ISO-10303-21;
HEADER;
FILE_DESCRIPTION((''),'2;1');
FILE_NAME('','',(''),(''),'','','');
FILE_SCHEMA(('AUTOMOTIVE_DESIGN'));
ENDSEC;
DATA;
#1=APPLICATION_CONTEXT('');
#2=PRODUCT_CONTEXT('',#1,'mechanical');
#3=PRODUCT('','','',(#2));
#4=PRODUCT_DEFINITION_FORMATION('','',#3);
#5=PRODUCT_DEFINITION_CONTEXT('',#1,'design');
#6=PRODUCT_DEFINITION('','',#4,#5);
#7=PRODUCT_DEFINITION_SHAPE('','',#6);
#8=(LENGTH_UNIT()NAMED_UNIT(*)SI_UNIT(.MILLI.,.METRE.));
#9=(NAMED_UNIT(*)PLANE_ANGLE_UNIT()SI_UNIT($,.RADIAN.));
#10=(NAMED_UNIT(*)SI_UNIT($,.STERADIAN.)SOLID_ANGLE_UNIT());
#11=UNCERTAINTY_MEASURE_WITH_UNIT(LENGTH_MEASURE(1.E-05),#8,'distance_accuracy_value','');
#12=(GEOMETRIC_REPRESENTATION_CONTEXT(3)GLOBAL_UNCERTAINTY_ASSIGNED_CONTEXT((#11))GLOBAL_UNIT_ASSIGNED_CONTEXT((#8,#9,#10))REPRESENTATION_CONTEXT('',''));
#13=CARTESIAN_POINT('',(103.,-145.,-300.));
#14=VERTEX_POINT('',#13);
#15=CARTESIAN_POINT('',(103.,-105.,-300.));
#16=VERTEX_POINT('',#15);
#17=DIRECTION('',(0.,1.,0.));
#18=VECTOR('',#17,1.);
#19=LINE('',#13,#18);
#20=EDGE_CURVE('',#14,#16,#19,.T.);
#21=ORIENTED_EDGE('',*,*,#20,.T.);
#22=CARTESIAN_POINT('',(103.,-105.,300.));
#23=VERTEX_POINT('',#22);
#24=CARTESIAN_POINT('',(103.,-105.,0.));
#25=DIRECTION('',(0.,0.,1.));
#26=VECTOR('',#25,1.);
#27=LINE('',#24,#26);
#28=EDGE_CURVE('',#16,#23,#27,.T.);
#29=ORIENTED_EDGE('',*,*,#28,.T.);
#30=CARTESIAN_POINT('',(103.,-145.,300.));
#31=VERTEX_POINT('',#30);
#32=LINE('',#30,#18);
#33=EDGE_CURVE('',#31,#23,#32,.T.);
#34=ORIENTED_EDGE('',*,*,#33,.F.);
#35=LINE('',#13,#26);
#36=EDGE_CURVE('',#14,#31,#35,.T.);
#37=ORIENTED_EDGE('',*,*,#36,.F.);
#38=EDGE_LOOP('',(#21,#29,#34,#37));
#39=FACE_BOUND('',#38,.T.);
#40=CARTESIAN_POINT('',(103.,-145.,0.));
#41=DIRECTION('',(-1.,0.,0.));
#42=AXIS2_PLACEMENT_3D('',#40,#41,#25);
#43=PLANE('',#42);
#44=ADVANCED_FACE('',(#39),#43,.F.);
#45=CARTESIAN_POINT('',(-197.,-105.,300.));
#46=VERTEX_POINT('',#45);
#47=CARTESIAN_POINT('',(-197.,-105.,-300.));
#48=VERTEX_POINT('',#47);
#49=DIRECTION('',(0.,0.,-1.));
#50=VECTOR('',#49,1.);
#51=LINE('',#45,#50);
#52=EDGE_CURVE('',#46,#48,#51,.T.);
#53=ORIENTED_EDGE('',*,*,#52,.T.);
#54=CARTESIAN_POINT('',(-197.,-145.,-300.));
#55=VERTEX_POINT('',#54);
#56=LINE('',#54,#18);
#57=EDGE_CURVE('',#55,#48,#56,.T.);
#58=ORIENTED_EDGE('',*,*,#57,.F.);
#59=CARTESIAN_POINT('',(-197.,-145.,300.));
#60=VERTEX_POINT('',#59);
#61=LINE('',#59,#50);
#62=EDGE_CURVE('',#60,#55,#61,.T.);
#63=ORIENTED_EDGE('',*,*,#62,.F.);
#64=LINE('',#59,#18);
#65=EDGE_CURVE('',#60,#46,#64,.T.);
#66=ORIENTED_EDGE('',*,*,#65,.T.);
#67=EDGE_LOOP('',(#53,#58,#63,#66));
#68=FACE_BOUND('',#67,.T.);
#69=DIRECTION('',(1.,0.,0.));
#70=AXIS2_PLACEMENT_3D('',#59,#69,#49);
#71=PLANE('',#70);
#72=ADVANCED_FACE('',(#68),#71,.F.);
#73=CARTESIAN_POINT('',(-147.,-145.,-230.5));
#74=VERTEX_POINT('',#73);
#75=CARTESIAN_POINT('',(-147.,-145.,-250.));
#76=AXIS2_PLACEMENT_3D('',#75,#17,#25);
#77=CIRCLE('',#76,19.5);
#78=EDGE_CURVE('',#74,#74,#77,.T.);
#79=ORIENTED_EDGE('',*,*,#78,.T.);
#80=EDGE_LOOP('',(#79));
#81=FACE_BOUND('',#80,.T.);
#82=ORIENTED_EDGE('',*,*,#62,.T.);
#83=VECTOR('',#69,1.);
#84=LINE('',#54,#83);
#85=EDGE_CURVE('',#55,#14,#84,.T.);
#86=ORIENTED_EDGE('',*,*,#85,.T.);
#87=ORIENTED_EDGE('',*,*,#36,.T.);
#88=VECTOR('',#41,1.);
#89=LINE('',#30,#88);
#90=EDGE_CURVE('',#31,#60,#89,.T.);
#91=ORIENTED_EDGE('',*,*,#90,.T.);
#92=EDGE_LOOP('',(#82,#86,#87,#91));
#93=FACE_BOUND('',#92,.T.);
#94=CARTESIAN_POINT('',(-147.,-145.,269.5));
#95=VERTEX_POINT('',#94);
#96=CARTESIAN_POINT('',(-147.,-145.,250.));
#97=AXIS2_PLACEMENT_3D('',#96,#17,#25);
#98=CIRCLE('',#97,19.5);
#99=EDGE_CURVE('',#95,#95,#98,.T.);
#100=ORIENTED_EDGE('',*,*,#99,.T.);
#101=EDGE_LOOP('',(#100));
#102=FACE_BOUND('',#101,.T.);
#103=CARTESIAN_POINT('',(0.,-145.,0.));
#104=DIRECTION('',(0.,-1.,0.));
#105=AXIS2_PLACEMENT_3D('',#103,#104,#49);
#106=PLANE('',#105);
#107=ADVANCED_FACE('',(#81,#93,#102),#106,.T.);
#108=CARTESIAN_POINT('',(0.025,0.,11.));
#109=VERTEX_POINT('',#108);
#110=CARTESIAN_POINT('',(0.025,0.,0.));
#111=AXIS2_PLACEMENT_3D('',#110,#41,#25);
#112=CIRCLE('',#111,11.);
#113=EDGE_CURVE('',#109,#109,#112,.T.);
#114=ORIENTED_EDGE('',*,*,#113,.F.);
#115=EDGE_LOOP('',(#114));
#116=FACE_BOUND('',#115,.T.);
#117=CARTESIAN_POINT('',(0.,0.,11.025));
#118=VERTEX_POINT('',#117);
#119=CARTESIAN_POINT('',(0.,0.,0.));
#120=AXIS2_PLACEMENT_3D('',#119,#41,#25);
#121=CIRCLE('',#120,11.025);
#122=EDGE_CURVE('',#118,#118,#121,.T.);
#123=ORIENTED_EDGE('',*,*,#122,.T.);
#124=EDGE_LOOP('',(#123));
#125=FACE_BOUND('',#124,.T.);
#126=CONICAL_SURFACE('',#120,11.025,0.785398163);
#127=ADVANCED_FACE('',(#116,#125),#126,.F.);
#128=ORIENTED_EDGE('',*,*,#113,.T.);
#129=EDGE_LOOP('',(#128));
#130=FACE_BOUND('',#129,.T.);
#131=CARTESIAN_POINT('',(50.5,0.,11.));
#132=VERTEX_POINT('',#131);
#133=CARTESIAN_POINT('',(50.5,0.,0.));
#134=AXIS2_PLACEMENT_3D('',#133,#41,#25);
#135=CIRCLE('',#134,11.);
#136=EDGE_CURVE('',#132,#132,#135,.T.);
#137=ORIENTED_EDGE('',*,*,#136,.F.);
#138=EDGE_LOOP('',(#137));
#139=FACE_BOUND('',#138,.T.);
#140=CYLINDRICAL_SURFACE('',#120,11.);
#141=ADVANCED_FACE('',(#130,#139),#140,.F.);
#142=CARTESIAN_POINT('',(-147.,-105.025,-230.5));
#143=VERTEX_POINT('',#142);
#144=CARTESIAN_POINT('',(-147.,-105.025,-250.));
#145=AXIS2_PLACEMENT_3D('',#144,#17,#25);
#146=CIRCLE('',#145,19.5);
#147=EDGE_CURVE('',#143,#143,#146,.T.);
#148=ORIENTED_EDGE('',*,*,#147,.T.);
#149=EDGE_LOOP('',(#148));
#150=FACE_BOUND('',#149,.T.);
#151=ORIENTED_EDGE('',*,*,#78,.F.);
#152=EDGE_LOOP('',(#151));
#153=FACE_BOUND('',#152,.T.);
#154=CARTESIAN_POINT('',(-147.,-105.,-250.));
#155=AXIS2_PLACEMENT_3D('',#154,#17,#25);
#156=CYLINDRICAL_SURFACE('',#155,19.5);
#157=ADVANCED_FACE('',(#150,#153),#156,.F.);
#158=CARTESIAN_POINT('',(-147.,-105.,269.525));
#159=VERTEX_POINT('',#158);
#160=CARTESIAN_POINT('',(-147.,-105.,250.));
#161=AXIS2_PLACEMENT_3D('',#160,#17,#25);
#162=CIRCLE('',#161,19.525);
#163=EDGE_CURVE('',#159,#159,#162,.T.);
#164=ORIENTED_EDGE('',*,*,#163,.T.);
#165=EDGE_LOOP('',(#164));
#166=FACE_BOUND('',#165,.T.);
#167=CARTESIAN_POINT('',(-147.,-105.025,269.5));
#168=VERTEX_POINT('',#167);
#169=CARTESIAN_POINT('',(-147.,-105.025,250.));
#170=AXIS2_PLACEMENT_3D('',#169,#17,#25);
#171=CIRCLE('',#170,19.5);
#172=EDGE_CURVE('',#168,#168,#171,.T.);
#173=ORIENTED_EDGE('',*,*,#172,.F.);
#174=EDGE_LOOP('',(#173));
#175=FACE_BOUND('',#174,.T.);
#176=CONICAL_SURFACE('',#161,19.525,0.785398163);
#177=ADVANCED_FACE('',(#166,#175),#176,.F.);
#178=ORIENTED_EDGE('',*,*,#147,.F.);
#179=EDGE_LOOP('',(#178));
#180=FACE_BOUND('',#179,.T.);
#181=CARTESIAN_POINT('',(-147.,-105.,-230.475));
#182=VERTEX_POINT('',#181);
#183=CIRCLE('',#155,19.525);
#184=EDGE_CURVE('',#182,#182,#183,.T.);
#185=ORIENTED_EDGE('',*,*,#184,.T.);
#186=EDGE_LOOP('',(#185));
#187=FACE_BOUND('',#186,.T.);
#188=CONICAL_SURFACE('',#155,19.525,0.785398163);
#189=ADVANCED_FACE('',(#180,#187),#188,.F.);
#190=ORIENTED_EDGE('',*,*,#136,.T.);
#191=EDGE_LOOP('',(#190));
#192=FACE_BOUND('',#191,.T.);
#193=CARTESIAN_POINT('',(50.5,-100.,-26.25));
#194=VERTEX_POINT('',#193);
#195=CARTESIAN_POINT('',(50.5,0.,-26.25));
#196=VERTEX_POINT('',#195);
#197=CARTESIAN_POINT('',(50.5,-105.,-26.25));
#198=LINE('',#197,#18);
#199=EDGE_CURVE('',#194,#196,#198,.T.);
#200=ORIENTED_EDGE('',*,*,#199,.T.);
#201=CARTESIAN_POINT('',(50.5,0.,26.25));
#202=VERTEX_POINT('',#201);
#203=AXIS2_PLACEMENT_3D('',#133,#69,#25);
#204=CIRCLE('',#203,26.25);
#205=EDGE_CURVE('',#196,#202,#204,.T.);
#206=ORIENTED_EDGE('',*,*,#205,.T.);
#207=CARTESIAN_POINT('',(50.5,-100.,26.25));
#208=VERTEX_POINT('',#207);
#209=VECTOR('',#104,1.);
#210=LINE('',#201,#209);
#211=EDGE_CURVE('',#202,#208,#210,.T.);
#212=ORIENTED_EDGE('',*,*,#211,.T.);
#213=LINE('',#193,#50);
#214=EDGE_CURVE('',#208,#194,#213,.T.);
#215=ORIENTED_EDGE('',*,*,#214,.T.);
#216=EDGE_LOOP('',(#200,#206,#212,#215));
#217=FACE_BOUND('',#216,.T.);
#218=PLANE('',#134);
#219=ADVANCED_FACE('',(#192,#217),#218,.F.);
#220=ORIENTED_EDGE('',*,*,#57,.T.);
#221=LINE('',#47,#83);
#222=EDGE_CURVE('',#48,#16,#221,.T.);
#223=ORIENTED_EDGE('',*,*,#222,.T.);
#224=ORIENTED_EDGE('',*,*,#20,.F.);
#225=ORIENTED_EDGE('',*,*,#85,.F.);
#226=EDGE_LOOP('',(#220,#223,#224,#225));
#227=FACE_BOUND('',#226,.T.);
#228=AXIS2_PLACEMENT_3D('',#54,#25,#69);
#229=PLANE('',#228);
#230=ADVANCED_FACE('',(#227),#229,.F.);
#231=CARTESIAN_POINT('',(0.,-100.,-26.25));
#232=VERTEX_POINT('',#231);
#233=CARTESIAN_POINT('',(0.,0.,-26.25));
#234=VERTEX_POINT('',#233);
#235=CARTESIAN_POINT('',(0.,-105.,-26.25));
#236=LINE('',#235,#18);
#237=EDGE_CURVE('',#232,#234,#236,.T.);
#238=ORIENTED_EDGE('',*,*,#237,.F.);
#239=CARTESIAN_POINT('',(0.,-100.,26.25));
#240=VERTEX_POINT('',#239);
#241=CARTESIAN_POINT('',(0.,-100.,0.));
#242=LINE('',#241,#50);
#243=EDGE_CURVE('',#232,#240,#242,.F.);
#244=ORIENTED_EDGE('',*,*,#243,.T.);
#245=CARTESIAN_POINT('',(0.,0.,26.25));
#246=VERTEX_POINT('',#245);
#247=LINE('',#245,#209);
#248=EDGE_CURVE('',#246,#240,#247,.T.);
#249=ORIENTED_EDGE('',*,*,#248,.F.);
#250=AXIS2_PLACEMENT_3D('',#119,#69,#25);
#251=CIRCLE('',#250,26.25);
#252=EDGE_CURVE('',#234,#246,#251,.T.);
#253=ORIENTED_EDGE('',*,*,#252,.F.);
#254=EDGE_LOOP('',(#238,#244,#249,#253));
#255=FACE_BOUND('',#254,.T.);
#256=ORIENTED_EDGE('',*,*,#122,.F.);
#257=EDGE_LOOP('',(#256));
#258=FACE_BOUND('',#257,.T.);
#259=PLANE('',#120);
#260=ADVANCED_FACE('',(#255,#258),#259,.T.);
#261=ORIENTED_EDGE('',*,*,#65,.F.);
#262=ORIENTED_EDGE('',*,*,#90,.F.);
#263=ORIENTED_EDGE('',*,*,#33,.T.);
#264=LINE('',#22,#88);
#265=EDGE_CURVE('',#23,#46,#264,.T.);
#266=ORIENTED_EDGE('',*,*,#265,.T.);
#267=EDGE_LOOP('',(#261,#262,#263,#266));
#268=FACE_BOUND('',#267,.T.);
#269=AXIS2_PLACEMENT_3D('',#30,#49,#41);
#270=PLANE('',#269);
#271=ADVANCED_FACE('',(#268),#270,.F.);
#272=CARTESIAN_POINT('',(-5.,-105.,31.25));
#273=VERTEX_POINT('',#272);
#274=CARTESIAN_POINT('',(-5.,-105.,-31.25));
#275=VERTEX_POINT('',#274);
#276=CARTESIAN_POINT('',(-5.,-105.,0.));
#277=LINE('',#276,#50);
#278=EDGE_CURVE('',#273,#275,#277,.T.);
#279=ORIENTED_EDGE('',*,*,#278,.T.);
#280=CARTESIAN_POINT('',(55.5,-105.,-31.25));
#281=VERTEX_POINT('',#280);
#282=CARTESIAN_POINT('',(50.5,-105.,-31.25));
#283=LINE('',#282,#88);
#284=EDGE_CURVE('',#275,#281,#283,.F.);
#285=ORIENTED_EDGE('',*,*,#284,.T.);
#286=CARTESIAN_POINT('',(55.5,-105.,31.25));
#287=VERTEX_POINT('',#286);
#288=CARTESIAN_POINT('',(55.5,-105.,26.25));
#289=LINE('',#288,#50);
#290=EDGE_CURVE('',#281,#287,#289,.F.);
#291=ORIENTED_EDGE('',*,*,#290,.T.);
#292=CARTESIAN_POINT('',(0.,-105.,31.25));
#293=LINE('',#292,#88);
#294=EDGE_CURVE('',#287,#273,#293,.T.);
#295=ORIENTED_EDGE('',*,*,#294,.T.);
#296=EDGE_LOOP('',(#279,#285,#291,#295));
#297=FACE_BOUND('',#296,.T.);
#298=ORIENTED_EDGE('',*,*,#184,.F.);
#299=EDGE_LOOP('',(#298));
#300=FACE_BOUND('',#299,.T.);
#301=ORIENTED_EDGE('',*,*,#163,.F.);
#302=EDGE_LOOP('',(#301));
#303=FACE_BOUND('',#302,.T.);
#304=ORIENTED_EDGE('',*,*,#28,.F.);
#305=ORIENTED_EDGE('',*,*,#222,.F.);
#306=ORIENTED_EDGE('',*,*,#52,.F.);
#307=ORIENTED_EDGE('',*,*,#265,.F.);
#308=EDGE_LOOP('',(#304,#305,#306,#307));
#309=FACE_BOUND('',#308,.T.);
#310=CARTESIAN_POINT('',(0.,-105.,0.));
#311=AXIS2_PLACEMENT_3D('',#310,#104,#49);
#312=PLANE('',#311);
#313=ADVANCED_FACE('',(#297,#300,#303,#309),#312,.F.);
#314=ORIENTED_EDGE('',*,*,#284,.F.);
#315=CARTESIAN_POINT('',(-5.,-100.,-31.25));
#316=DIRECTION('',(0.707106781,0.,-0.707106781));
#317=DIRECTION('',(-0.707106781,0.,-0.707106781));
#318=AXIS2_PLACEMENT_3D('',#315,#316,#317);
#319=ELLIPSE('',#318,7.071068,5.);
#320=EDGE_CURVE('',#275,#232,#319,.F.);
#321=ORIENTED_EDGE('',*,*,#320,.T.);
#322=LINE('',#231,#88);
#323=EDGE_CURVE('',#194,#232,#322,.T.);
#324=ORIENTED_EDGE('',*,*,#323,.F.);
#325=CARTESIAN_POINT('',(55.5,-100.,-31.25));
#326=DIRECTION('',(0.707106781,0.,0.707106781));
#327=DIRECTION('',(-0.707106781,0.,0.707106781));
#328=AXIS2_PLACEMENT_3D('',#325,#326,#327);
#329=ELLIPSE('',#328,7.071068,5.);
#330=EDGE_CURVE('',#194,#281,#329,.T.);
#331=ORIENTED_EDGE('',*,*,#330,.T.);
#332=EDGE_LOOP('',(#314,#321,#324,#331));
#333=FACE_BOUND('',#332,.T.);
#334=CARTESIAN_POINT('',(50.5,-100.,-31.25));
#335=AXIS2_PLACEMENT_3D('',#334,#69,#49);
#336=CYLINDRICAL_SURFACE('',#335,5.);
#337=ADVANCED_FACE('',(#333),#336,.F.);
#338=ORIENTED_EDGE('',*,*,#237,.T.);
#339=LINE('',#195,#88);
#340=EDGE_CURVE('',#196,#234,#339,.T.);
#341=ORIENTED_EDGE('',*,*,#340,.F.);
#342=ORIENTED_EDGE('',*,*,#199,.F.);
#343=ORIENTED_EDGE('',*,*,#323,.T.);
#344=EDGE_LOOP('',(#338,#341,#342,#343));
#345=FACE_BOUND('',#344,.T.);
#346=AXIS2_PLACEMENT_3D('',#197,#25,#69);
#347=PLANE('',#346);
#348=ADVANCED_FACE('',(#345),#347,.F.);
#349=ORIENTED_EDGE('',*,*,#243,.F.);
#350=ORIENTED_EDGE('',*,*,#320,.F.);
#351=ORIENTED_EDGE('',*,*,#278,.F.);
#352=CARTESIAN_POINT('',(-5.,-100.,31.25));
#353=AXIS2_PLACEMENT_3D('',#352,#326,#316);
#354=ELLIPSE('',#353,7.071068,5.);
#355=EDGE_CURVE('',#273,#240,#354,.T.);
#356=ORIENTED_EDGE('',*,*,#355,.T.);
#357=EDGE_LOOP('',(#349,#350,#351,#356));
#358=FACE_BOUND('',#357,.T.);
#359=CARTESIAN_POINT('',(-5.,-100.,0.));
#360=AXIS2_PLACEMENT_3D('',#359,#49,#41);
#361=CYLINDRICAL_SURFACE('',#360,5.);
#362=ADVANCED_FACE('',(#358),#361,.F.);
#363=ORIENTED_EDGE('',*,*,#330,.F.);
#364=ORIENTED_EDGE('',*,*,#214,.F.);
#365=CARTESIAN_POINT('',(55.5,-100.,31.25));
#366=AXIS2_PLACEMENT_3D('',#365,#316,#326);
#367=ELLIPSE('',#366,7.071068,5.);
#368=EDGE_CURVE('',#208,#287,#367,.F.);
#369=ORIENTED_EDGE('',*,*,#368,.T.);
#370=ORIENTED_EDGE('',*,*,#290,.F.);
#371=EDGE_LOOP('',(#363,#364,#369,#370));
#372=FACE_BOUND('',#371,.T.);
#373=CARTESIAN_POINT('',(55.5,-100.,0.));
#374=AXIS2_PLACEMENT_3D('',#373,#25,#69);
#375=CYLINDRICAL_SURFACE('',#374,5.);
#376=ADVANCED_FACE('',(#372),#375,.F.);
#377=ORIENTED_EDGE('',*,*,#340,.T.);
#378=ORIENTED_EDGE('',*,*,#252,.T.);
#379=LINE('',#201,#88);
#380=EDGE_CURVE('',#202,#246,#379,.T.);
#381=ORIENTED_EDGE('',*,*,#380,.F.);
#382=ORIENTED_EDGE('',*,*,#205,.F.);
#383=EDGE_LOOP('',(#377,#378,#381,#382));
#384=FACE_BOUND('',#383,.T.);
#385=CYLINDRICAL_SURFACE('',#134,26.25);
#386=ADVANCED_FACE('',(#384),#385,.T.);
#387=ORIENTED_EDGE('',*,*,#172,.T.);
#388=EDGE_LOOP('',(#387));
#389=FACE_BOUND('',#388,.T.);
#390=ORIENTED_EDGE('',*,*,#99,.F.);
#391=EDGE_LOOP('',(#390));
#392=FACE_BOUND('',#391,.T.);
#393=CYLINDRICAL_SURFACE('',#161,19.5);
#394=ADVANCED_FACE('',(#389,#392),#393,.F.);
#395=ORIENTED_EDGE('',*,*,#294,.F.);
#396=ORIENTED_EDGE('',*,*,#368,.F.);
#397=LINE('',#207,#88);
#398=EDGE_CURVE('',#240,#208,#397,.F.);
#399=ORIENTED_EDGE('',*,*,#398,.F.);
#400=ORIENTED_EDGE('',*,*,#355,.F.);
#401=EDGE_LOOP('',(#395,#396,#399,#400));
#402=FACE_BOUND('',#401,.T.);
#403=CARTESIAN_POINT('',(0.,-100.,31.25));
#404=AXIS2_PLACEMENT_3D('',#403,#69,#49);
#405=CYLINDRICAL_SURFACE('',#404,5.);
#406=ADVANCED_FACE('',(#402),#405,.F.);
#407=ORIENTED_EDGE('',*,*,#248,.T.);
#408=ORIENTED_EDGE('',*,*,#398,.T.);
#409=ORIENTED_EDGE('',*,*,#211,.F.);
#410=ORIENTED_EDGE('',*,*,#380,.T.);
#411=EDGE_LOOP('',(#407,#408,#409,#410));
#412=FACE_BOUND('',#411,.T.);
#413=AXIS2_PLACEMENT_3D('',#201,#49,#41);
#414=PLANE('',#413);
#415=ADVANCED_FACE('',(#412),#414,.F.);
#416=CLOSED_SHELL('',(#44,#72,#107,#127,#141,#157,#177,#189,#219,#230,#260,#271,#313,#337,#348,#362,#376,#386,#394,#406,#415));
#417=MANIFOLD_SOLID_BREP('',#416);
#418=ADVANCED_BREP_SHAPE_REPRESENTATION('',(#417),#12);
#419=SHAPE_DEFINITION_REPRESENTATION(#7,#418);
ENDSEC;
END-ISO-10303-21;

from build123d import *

# Parameters (mm, degrees)
BOSS_EXTRUDE1_DEPTH                    = 50.5
TAP_DRILL_FOR_M24X2_0_TAP1_D           = 22
TAP_DRILL_FOR_M24X2_0_TAP1_CSINK_D     = 22.05
TAP_DRILL_FOR_M24X2_0_TAP1_CSINK_ANGLE = 90
BOSS_EXTRUDE2_DEPTH                    = 40
FILLET1_R                              = 5
TAP_DRILL_FOR_M42X3_0_TAP1_D           = 39
TAP_DRILL_FOR_M42X3_0_TAP1_CSINK_D     = 39.05
TAP_DRILL_FOR_M42X3_0_TAP1_CSINK_ANGLE = 90


with BuildPart() as part:
    # Sketch1 → Boss-Extrude1 (new body)
    with BuildSketch(Plane(origin=(0, 0, 0), x_dir=(0, 0, -1), z_dir=(1, 0, 0))):
        with BuildLine():
            Line((-26.25, 0), (-26.25, -105))
            Line((-26.25, -105), (26.25, -105))
            Line((26.25, -105), (26.25, 0))
            ThreePointArc((26.25, 0), (0, 26.25), (-26.25, 0))
        make_face()
    extrude(amount=BOSS_EXTRUDE1_DEPTH)

    # Tap Drill for M24x2.0 Tap1 (through all)
    with Locations(Plane.ZY):
        with Locations((0, 0)):
            CounterSinkHole(TAP_DRILL_FOR_M24X2_0_TAP1_D / 2, TAP_DRILL_FOR_M24X2_0_TAP1_CSINK_D / 2, counter_sink_angle=TAP_DRILL_FOR_M24X2_0_TAP1_CSINK_ANGLE)

    # Sketch6 → Boss-Extrude2 (add)
    with BuildSketch(Plane.XZ.offset(105)):
        Polygon((103, 0), (103, 300), (-197, 300), (-197, -300), (103, -300), align=None)
    extrude(amount=BOSS_EXTRUDE2_DEPTH)

    # Fillet1
    fillet1_edges = [part.edges().sort_by_distance(p)[0] for p in [
        (50.5, -105, 0),
        (0, -105, 0),
        (25.25, -105, -26.25),
        (25.25, -105, 26.25),
    ]]
    fillet(fillet1_edges, radius=FILLET1_R)

    # Tap Drill for M42x3.0 Tap1 (through all)
    with Locations(Plane(origin=(0, -105, 0), x_dir=(1, 0, 0), z_dir=(0, 1, 0))):
        with Locations((-147, 250), (-147, -250)):
            CounterSinkHole(TAP_DRILL_FOR_M42X3_0_TAP1_D / 2, TAP_DRILL_FOR_M42X3_0_TAP1_CSINK_D / 2, counter_sink_angle=TAP_DRILL_FOR_M42X3_0_TAP1_CSINK_ANGLE)


solid = part.part
